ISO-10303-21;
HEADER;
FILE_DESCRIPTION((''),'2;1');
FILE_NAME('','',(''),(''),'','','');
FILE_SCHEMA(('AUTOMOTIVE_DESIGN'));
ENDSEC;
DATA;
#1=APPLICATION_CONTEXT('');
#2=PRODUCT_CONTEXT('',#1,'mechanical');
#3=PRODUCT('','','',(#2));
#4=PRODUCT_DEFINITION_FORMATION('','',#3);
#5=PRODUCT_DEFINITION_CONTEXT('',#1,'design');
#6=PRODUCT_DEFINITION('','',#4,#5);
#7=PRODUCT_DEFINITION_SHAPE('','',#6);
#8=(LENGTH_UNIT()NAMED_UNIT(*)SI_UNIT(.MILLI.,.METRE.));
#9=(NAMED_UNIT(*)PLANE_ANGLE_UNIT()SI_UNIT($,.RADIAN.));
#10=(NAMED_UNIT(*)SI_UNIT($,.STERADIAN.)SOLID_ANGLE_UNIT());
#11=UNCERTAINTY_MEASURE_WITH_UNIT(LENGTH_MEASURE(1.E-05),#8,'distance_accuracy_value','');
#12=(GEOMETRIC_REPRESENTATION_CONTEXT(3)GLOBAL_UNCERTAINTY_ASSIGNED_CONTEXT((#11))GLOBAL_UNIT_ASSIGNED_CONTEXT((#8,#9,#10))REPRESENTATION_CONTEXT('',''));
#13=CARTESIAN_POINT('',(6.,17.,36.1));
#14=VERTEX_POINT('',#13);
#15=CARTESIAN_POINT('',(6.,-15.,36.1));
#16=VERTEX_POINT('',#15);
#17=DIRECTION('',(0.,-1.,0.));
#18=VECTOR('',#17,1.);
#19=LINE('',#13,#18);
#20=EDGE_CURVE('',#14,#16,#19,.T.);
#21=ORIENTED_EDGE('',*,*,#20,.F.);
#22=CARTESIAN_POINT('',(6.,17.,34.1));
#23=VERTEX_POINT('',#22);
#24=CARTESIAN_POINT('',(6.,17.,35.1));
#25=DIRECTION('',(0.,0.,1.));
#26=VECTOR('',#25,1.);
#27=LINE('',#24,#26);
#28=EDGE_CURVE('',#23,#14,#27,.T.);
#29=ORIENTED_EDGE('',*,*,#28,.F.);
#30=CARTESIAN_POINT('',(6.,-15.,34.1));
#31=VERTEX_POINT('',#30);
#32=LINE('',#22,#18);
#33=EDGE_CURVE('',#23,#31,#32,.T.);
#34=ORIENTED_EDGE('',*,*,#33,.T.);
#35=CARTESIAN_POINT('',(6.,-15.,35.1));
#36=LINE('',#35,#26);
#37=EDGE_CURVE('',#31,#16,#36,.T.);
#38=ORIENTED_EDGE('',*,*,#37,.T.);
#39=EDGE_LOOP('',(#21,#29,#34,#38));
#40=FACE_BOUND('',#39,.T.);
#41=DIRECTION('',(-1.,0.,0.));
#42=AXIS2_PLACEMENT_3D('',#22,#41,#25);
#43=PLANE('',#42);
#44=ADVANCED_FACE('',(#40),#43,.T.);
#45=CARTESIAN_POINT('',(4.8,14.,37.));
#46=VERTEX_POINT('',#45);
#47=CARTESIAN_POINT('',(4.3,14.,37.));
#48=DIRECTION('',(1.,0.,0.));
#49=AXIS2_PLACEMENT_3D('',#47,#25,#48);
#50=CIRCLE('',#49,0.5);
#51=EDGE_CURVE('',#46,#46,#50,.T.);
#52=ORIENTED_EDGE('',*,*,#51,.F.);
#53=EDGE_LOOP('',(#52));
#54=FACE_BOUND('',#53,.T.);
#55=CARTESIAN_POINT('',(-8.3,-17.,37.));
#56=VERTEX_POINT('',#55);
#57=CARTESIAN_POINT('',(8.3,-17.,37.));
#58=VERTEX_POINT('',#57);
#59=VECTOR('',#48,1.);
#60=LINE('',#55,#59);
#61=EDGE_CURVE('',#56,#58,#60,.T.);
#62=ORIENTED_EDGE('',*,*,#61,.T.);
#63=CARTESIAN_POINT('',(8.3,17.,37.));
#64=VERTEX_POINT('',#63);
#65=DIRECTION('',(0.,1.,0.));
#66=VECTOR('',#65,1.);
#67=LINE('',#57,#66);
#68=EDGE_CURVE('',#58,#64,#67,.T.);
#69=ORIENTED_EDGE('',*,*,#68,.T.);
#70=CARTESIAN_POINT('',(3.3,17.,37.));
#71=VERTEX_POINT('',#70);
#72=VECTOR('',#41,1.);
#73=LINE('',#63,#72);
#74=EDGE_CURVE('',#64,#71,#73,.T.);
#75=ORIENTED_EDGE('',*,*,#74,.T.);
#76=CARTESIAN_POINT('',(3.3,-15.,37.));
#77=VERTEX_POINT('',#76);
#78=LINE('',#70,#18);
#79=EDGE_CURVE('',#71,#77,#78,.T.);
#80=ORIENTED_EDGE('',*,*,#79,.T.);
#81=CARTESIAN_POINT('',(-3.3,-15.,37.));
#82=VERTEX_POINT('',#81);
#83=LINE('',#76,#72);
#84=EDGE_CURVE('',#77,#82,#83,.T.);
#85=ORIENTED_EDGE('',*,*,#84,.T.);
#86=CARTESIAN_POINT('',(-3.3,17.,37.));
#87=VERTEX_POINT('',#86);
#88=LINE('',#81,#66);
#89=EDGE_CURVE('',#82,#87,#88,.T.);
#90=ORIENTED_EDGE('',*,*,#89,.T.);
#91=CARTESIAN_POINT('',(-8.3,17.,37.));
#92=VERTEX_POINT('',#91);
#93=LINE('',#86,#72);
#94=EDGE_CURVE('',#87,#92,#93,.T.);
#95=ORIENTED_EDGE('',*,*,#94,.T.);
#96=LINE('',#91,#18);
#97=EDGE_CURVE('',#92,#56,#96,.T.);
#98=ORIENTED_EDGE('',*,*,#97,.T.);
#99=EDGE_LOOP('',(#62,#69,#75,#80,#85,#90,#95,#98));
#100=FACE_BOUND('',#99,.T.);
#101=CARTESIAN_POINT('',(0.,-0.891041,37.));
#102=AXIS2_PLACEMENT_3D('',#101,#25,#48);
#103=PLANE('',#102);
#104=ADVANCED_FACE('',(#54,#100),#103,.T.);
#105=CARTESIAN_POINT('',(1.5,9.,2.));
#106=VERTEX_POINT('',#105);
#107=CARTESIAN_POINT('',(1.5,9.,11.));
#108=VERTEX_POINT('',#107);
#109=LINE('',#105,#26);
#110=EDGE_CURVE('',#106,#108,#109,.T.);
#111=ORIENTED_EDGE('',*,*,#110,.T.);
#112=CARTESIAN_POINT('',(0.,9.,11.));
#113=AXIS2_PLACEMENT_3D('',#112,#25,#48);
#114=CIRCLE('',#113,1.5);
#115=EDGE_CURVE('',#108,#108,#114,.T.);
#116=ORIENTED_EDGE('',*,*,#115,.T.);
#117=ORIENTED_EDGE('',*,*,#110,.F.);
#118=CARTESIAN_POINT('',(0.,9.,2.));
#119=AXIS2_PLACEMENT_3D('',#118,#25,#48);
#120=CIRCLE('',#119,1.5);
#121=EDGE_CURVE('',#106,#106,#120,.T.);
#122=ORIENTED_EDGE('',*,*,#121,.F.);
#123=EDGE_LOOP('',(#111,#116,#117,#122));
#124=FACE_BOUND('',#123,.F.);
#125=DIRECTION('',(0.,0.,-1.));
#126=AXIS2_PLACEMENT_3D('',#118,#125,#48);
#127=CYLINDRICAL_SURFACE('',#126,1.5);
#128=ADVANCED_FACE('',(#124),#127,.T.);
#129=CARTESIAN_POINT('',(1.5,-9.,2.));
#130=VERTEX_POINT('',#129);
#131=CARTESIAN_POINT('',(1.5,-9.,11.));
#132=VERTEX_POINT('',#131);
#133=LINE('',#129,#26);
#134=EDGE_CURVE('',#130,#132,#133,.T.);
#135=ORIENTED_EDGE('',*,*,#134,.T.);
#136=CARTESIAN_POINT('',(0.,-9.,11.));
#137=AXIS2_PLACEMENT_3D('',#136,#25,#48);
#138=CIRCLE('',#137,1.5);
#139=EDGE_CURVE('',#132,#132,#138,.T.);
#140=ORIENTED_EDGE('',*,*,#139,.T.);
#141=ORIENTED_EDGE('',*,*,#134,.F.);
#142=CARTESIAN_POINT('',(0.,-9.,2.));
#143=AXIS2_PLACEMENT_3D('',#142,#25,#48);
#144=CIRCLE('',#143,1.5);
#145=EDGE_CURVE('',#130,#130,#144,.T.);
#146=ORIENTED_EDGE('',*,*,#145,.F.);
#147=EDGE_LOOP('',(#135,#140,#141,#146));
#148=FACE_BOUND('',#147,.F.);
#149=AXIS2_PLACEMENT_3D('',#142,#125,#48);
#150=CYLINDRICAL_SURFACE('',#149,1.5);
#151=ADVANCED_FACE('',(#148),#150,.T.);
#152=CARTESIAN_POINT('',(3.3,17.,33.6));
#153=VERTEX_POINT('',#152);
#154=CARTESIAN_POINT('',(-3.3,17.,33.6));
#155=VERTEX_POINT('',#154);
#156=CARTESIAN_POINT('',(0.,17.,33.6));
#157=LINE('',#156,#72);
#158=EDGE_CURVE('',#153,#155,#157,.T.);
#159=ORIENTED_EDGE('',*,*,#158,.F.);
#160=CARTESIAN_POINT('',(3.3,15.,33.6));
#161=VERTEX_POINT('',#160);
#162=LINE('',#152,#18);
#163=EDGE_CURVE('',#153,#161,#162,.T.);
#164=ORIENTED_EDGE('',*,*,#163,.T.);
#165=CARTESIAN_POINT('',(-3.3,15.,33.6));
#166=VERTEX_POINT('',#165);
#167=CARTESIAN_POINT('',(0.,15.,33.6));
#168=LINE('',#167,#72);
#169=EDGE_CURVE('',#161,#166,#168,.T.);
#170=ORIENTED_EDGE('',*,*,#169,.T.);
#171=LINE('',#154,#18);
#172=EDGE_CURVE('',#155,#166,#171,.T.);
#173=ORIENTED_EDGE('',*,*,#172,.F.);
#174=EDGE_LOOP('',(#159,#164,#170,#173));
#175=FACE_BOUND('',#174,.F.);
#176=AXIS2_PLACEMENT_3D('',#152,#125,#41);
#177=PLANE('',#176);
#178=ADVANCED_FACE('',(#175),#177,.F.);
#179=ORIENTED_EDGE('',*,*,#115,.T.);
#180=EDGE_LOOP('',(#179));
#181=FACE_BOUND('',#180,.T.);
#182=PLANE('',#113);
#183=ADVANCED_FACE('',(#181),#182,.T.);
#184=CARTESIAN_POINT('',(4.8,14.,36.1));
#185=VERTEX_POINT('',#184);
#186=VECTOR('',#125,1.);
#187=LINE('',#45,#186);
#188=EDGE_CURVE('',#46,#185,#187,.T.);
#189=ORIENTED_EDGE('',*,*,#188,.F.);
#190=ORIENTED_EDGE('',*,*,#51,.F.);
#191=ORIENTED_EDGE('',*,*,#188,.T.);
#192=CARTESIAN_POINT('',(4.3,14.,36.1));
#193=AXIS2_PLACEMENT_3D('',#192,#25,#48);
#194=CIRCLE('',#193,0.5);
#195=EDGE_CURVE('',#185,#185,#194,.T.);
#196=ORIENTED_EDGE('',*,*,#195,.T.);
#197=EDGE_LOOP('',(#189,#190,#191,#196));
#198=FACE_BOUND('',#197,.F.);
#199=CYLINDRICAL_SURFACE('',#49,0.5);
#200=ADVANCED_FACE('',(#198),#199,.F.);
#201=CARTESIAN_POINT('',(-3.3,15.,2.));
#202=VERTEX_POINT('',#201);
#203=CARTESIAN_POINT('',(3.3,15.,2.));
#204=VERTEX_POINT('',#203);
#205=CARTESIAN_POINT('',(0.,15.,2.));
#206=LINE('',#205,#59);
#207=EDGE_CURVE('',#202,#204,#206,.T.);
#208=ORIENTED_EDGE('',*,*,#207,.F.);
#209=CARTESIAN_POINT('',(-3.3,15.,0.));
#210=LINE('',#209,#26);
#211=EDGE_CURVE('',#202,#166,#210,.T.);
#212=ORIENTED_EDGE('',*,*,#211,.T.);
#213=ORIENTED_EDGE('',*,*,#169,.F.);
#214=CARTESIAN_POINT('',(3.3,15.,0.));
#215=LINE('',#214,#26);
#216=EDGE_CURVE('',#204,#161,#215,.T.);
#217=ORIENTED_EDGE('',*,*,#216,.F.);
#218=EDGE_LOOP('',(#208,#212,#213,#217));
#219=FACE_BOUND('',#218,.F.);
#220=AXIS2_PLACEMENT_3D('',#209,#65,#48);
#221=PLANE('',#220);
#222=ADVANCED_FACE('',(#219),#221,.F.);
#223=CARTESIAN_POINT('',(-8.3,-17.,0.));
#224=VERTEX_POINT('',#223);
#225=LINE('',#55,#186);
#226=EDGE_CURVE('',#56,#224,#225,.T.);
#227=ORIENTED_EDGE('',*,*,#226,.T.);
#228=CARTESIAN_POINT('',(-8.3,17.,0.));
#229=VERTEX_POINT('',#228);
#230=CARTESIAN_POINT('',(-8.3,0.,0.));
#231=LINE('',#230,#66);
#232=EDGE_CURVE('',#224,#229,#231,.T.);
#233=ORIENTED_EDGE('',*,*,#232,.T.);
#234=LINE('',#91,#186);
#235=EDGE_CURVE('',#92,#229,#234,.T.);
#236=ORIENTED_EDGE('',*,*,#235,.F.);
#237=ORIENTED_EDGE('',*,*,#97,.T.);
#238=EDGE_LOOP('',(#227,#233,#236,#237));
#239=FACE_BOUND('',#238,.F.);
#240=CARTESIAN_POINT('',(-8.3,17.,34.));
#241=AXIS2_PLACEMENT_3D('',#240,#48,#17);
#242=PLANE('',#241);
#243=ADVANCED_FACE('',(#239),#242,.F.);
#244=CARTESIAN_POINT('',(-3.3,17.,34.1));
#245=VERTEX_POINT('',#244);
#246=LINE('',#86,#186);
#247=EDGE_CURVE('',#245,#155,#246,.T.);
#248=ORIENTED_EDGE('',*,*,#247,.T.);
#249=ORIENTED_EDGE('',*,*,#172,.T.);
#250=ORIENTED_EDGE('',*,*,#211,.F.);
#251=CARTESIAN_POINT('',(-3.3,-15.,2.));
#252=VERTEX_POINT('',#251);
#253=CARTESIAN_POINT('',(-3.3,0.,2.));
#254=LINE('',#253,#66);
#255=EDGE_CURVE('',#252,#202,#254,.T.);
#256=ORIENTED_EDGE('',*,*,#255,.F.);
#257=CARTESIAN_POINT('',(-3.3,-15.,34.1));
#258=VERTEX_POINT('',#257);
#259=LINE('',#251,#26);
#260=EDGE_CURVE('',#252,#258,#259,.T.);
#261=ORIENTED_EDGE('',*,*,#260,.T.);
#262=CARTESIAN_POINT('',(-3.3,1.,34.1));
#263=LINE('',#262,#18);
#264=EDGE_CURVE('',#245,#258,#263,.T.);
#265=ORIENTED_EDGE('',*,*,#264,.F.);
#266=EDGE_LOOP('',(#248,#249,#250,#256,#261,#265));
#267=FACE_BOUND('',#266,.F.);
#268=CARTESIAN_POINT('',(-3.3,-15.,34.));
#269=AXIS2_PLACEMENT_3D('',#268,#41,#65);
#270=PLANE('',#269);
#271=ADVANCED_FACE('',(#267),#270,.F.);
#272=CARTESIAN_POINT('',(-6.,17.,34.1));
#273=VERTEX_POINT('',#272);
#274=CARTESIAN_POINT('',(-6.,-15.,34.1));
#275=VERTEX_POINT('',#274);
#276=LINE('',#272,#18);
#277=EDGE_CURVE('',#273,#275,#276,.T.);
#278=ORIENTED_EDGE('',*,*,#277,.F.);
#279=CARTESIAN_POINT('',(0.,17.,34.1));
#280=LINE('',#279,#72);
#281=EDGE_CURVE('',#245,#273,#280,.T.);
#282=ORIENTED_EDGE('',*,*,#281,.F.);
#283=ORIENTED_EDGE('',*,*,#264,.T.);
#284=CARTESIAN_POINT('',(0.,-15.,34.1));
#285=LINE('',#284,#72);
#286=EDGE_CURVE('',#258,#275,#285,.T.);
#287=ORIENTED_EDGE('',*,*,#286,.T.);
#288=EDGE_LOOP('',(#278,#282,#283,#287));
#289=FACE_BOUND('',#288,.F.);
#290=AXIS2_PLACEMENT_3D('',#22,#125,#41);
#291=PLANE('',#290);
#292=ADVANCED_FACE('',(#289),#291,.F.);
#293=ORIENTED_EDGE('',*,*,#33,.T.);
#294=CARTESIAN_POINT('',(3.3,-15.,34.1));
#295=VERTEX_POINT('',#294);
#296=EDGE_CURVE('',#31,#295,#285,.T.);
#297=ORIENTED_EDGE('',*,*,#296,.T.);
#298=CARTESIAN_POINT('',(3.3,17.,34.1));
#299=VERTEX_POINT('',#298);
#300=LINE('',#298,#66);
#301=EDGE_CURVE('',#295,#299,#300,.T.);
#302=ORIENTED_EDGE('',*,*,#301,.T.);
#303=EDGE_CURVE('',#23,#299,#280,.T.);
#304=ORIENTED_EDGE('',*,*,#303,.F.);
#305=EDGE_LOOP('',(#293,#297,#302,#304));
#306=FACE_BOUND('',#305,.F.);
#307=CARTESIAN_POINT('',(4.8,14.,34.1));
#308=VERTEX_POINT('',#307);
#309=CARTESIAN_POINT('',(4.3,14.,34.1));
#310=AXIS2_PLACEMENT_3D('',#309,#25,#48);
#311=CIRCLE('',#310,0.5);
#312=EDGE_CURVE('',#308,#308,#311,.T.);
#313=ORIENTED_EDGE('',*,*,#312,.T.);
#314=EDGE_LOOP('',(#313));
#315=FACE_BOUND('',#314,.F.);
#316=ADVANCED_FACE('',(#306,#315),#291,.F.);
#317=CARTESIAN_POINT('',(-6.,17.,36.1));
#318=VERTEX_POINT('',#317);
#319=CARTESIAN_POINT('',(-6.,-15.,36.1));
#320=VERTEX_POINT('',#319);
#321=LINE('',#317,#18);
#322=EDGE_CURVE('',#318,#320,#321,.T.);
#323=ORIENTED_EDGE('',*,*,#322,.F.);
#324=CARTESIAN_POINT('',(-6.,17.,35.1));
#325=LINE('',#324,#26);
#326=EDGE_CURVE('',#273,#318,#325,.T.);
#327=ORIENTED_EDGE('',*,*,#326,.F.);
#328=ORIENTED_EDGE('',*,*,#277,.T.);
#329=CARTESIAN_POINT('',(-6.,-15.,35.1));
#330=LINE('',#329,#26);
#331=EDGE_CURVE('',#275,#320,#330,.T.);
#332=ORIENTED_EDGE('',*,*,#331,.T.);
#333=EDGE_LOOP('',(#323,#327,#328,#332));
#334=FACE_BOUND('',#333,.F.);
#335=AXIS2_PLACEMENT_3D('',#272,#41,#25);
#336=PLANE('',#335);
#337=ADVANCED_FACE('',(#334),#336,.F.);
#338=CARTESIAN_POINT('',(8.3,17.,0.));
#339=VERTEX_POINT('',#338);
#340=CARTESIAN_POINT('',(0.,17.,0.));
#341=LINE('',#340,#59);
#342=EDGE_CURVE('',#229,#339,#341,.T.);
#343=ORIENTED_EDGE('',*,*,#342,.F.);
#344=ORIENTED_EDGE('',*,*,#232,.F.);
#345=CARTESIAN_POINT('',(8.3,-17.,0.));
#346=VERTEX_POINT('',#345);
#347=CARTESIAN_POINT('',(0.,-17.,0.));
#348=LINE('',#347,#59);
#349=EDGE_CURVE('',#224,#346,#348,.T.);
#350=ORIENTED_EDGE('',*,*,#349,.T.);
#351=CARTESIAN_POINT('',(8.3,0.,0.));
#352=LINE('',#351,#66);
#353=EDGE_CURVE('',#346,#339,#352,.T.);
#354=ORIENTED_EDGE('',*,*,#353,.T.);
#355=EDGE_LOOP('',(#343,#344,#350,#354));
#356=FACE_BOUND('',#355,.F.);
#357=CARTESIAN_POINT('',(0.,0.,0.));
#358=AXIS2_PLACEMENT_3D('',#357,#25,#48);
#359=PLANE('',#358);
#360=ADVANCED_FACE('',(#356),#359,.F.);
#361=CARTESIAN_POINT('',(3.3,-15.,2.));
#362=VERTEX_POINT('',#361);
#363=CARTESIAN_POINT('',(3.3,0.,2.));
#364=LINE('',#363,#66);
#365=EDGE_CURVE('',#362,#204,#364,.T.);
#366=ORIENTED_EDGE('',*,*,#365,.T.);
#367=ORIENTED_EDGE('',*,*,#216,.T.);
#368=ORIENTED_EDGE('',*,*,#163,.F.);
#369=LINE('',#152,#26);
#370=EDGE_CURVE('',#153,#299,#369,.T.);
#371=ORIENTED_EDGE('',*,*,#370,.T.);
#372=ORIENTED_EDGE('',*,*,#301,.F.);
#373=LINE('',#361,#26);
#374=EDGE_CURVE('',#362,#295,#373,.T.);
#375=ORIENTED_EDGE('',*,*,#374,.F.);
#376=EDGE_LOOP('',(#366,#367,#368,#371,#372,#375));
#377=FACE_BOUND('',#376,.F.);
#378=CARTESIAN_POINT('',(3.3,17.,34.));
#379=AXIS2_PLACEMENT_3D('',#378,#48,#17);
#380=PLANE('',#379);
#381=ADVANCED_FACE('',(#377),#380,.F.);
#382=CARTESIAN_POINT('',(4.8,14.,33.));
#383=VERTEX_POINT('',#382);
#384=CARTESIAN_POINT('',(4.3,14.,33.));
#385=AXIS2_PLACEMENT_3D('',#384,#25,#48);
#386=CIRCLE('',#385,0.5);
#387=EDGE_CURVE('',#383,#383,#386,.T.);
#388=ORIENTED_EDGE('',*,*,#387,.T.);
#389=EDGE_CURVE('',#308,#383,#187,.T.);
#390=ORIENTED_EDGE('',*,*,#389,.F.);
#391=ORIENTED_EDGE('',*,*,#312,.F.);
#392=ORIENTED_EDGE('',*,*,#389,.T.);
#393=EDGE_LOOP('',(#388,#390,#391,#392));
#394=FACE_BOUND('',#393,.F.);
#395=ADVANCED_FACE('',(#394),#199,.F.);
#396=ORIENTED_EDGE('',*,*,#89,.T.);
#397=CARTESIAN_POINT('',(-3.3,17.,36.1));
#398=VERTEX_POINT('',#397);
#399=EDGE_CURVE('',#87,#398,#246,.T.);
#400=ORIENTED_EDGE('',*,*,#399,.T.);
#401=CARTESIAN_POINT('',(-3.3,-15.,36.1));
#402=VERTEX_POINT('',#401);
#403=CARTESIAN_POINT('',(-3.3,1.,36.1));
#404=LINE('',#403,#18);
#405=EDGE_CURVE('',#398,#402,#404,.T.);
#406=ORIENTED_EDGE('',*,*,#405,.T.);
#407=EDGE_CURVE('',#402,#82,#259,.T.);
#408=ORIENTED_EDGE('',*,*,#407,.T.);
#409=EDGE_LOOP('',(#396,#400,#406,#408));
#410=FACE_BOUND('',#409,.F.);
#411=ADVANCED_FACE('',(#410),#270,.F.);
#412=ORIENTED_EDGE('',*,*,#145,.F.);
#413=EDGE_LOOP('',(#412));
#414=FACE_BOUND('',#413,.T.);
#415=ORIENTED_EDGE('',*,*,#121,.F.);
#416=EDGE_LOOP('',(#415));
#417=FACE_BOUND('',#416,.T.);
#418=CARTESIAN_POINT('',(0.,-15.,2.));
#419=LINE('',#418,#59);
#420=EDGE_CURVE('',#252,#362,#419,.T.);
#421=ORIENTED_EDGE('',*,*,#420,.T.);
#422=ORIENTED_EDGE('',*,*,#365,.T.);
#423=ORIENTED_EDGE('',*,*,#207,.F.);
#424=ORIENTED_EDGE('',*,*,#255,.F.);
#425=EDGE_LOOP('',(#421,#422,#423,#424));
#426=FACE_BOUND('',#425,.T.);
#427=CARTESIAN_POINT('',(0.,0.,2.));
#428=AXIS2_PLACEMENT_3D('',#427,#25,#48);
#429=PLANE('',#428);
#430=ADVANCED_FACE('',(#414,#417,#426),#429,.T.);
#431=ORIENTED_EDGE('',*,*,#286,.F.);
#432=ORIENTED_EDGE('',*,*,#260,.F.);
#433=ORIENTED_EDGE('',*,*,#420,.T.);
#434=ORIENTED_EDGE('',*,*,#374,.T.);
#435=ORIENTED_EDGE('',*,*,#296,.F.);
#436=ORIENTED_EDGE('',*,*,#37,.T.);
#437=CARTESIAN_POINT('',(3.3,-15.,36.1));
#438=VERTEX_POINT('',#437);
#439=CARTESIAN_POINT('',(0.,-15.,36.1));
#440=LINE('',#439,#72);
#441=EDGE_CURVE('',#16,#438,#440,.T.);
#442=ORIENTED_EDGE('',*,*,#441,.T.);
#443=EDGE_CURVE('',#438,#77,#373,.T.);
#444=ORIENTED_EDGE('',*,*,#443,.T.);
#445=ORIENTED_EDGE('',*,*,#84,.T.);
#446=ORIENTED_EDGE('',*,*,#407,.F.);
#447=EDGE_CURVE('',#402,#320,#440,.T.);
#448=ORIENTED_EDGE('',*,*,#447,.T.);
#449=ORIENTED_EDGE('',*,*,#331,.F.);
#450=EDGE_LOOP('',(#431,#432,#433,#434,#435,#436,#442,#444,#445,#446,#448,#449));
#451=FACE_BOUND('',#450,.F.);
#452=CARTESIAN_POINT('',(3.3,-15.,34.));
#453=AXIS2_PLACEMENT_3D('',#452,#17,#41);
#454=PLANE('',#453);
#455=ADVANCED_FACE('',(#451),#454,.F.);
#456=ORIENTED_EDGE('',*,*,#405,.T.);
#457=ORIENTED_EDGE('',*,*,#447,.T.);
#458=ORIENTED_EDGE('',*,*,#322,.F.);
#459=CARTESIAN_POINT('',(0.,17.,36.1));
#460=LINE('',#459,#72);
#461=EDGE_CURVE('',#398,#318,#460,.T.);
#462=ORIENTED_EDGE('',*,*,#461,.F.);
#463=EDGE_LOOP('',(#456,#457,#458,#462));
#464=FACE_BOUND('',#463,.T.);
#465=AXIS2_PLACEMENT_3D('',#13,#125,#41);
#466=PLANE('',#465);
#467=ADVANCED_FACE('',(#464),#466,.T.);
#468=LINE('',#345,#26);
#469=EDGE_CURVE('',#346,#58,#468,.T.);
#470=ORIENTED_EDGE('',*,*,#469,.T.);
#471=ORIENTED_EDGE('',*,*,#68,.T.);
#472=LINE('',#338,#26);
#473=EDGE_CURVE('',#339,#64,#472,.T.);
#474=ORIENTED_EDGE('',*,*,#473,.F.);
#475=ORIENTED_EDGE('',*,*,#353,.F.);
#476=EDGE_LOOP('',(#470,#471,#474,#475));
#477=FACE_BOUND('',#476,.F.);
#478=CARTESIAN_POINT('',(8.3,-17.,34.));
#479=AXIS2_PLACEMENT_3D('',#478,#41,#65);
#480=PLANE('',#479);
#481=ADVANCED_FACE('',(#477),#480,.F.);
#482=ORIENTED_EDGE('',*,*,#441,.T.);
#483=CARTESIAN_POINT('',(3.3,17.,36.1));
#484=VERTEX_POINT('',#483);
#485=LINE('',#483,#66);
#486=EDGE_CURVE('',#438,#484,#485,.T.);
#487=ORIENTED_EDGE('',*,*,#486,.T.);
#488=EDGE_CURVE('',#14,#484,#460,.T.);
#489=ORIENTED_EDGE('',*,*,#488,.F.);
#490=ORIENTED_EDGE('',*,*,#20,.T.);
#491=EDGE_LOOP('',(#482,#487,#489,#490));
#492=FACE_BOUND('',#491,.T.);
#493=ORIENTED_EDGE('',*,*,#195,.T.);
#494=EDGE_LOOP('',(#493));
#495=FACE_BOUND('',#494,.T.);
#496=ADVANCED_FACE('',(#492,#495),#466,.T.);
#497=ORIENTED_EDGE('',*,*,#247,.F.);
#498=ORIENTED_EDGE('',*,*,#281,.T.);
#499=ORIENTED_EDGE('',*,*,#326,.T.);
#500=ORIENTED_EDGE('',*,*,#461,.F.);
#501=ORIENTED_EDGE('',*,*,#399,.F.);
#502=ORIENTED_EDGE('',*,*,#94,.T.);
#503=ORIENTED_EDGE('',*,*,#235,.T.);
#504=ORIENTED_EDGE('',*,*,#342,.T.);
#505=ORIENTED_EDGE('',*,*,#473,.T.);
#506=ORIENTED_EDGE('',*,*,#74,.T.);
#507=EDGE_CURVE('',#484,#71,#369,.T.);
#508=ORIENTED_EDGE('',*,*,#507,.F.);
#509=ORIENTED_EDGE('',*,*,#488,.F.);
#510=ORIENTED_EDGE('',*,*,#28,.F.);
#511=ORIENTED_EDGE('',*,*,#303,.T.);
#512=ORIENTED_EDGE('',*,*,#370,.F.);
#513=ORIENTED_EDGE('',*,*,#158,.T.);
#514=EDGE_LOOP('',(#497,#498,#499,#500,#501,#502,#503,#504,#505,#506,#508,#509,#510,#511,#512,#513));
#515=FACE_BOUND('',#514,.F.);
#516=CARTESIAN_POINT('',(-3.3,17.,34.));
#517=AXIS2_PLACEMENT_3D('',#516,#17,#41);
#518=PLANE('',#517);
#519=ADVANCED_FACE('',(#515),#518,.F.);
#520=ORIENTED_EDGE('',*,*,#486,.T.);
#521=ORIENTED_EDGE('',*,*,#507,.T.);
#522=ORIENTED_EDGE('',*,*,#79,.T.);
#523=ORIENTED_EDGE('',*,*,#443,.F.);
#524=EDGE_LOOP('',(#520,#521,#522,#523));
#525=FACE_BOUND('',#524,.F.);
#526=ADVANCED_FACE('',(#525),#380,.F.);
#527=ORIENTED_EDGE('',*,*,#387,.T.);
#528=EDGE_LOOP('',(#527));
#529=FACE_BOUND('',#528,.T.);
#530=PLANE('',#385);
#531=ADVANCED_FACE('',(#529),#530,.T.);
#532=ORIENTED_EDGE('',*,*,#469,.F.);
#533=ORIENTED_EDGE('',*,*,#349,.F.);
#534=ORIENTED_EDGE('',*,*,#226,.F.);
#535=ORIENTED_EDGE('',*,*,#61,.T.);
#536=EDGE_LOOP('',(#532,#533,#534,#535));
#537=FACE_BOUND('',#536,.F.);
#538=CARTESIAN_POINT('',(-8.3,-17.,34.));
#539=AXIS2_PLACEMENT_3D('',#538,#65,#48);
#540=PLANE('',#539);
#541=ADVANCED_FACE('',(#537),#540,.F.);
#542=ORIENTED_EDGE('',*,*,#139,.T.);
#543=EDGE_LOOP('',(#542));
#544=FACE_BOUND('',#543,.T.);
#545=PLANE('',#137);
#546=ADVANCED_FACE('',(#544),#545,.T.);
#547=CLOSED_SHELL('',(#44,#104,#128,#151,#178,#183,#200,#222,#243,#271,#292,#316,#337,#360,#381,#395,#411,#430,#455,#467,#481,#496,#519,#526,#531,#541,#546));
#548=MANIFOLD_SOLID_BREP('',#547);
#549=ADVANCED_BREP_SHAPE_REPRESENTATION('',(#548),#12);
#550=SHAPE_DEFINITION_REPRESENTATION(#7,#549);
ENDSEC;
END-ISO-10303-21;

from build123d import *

# Parameters (mm, degrees)
F0_W      = 6.6
F0_H      = 30
F1_DEPTH  = 2
F0_W_2    = 16.6
F0_H_2    = 34
F2_DEPTH  = 34
F3_R      = 1.5
F4_DEPTH  = 9
F5_W      = 6.6
F5_H      = 0.4
F6_DEPTH  = 25
F8_DEPTH  = 3
F9_W      = 12
F9_H      = 2
F10_DEPTH = 32
F11_R     = 0.5
F12_DEPTH = 4


with BuildPart() as f1:
    # F0 (on Top) → F1 (new body)
    with BuildSketch(Plane.XY):
        Rectangle(F0_W, F0_H)
    extrude(amount=F1_DEPTH)

    # F0 (on Top) → F2 (join)
    with BuildSketch(Plane.XY):
        Rectangle(F0_W_2, F0_H_2)
        Rectangle(F0_W, F0_H, mode=Mode.SUBTRACT)
    extrude(amount=F2_DEPTH)

    # F3 (on face) → F4 (join)
    with BuildSketch(Plane.XY.offset(2)):
        with Locations((0, 9)):
            Circle(F3_R)
        with Locations((0, -9)):
            Circle(F3_R)
    extrude(amount=F4_DEPTH)

    # F5 (on face) → F6 (cut)
    with BuildSketch(Plane(origin=(0, 17, 0), x_dir=(-1, 0, 0), z_dir=(0, 1, 0))):
        with Locations((0, 33.8)):
            Rectangle(F5_W, F5_H)
    extrude(amount=-F6_DEPTH, mode=Mode.SUBTRACT)

    # F7 (on face) → F8 (join)
    with BuildSketch(Plane.XY.offset(34)):
        Polygon((-8.3, -17), (8.3, -17), (8.3, 17), (3.3, 17), (3.3, -15), (-3.3, -15), (-3.3, 17), (-8.3, 17), align=None)
    extrude(amount=F8_DEPTH)

    # F9 (on face) → F10 (cut)
    with BuildSketch(Plane(origin=(0, 17, 0), x_dir=(-1, 0, 0), z_dir=(0, 1, 0))):
        with Locations((0, 35.1)):
            Rectangle(F9_W, F9_H)
    extrude(amount=-F10_DEPTH, mode=Mode.SUBTRACT)

    # F11 (on face) → F12 (cut)
    with BuildSketch(Plane.XY.offset(37)):
        with Locations((4.3, 14)):
            Circle(F11_R)
    extrude(amount=-F12_DEPTH, mode=Mode.SUBTRACT)


solid = f1.part
